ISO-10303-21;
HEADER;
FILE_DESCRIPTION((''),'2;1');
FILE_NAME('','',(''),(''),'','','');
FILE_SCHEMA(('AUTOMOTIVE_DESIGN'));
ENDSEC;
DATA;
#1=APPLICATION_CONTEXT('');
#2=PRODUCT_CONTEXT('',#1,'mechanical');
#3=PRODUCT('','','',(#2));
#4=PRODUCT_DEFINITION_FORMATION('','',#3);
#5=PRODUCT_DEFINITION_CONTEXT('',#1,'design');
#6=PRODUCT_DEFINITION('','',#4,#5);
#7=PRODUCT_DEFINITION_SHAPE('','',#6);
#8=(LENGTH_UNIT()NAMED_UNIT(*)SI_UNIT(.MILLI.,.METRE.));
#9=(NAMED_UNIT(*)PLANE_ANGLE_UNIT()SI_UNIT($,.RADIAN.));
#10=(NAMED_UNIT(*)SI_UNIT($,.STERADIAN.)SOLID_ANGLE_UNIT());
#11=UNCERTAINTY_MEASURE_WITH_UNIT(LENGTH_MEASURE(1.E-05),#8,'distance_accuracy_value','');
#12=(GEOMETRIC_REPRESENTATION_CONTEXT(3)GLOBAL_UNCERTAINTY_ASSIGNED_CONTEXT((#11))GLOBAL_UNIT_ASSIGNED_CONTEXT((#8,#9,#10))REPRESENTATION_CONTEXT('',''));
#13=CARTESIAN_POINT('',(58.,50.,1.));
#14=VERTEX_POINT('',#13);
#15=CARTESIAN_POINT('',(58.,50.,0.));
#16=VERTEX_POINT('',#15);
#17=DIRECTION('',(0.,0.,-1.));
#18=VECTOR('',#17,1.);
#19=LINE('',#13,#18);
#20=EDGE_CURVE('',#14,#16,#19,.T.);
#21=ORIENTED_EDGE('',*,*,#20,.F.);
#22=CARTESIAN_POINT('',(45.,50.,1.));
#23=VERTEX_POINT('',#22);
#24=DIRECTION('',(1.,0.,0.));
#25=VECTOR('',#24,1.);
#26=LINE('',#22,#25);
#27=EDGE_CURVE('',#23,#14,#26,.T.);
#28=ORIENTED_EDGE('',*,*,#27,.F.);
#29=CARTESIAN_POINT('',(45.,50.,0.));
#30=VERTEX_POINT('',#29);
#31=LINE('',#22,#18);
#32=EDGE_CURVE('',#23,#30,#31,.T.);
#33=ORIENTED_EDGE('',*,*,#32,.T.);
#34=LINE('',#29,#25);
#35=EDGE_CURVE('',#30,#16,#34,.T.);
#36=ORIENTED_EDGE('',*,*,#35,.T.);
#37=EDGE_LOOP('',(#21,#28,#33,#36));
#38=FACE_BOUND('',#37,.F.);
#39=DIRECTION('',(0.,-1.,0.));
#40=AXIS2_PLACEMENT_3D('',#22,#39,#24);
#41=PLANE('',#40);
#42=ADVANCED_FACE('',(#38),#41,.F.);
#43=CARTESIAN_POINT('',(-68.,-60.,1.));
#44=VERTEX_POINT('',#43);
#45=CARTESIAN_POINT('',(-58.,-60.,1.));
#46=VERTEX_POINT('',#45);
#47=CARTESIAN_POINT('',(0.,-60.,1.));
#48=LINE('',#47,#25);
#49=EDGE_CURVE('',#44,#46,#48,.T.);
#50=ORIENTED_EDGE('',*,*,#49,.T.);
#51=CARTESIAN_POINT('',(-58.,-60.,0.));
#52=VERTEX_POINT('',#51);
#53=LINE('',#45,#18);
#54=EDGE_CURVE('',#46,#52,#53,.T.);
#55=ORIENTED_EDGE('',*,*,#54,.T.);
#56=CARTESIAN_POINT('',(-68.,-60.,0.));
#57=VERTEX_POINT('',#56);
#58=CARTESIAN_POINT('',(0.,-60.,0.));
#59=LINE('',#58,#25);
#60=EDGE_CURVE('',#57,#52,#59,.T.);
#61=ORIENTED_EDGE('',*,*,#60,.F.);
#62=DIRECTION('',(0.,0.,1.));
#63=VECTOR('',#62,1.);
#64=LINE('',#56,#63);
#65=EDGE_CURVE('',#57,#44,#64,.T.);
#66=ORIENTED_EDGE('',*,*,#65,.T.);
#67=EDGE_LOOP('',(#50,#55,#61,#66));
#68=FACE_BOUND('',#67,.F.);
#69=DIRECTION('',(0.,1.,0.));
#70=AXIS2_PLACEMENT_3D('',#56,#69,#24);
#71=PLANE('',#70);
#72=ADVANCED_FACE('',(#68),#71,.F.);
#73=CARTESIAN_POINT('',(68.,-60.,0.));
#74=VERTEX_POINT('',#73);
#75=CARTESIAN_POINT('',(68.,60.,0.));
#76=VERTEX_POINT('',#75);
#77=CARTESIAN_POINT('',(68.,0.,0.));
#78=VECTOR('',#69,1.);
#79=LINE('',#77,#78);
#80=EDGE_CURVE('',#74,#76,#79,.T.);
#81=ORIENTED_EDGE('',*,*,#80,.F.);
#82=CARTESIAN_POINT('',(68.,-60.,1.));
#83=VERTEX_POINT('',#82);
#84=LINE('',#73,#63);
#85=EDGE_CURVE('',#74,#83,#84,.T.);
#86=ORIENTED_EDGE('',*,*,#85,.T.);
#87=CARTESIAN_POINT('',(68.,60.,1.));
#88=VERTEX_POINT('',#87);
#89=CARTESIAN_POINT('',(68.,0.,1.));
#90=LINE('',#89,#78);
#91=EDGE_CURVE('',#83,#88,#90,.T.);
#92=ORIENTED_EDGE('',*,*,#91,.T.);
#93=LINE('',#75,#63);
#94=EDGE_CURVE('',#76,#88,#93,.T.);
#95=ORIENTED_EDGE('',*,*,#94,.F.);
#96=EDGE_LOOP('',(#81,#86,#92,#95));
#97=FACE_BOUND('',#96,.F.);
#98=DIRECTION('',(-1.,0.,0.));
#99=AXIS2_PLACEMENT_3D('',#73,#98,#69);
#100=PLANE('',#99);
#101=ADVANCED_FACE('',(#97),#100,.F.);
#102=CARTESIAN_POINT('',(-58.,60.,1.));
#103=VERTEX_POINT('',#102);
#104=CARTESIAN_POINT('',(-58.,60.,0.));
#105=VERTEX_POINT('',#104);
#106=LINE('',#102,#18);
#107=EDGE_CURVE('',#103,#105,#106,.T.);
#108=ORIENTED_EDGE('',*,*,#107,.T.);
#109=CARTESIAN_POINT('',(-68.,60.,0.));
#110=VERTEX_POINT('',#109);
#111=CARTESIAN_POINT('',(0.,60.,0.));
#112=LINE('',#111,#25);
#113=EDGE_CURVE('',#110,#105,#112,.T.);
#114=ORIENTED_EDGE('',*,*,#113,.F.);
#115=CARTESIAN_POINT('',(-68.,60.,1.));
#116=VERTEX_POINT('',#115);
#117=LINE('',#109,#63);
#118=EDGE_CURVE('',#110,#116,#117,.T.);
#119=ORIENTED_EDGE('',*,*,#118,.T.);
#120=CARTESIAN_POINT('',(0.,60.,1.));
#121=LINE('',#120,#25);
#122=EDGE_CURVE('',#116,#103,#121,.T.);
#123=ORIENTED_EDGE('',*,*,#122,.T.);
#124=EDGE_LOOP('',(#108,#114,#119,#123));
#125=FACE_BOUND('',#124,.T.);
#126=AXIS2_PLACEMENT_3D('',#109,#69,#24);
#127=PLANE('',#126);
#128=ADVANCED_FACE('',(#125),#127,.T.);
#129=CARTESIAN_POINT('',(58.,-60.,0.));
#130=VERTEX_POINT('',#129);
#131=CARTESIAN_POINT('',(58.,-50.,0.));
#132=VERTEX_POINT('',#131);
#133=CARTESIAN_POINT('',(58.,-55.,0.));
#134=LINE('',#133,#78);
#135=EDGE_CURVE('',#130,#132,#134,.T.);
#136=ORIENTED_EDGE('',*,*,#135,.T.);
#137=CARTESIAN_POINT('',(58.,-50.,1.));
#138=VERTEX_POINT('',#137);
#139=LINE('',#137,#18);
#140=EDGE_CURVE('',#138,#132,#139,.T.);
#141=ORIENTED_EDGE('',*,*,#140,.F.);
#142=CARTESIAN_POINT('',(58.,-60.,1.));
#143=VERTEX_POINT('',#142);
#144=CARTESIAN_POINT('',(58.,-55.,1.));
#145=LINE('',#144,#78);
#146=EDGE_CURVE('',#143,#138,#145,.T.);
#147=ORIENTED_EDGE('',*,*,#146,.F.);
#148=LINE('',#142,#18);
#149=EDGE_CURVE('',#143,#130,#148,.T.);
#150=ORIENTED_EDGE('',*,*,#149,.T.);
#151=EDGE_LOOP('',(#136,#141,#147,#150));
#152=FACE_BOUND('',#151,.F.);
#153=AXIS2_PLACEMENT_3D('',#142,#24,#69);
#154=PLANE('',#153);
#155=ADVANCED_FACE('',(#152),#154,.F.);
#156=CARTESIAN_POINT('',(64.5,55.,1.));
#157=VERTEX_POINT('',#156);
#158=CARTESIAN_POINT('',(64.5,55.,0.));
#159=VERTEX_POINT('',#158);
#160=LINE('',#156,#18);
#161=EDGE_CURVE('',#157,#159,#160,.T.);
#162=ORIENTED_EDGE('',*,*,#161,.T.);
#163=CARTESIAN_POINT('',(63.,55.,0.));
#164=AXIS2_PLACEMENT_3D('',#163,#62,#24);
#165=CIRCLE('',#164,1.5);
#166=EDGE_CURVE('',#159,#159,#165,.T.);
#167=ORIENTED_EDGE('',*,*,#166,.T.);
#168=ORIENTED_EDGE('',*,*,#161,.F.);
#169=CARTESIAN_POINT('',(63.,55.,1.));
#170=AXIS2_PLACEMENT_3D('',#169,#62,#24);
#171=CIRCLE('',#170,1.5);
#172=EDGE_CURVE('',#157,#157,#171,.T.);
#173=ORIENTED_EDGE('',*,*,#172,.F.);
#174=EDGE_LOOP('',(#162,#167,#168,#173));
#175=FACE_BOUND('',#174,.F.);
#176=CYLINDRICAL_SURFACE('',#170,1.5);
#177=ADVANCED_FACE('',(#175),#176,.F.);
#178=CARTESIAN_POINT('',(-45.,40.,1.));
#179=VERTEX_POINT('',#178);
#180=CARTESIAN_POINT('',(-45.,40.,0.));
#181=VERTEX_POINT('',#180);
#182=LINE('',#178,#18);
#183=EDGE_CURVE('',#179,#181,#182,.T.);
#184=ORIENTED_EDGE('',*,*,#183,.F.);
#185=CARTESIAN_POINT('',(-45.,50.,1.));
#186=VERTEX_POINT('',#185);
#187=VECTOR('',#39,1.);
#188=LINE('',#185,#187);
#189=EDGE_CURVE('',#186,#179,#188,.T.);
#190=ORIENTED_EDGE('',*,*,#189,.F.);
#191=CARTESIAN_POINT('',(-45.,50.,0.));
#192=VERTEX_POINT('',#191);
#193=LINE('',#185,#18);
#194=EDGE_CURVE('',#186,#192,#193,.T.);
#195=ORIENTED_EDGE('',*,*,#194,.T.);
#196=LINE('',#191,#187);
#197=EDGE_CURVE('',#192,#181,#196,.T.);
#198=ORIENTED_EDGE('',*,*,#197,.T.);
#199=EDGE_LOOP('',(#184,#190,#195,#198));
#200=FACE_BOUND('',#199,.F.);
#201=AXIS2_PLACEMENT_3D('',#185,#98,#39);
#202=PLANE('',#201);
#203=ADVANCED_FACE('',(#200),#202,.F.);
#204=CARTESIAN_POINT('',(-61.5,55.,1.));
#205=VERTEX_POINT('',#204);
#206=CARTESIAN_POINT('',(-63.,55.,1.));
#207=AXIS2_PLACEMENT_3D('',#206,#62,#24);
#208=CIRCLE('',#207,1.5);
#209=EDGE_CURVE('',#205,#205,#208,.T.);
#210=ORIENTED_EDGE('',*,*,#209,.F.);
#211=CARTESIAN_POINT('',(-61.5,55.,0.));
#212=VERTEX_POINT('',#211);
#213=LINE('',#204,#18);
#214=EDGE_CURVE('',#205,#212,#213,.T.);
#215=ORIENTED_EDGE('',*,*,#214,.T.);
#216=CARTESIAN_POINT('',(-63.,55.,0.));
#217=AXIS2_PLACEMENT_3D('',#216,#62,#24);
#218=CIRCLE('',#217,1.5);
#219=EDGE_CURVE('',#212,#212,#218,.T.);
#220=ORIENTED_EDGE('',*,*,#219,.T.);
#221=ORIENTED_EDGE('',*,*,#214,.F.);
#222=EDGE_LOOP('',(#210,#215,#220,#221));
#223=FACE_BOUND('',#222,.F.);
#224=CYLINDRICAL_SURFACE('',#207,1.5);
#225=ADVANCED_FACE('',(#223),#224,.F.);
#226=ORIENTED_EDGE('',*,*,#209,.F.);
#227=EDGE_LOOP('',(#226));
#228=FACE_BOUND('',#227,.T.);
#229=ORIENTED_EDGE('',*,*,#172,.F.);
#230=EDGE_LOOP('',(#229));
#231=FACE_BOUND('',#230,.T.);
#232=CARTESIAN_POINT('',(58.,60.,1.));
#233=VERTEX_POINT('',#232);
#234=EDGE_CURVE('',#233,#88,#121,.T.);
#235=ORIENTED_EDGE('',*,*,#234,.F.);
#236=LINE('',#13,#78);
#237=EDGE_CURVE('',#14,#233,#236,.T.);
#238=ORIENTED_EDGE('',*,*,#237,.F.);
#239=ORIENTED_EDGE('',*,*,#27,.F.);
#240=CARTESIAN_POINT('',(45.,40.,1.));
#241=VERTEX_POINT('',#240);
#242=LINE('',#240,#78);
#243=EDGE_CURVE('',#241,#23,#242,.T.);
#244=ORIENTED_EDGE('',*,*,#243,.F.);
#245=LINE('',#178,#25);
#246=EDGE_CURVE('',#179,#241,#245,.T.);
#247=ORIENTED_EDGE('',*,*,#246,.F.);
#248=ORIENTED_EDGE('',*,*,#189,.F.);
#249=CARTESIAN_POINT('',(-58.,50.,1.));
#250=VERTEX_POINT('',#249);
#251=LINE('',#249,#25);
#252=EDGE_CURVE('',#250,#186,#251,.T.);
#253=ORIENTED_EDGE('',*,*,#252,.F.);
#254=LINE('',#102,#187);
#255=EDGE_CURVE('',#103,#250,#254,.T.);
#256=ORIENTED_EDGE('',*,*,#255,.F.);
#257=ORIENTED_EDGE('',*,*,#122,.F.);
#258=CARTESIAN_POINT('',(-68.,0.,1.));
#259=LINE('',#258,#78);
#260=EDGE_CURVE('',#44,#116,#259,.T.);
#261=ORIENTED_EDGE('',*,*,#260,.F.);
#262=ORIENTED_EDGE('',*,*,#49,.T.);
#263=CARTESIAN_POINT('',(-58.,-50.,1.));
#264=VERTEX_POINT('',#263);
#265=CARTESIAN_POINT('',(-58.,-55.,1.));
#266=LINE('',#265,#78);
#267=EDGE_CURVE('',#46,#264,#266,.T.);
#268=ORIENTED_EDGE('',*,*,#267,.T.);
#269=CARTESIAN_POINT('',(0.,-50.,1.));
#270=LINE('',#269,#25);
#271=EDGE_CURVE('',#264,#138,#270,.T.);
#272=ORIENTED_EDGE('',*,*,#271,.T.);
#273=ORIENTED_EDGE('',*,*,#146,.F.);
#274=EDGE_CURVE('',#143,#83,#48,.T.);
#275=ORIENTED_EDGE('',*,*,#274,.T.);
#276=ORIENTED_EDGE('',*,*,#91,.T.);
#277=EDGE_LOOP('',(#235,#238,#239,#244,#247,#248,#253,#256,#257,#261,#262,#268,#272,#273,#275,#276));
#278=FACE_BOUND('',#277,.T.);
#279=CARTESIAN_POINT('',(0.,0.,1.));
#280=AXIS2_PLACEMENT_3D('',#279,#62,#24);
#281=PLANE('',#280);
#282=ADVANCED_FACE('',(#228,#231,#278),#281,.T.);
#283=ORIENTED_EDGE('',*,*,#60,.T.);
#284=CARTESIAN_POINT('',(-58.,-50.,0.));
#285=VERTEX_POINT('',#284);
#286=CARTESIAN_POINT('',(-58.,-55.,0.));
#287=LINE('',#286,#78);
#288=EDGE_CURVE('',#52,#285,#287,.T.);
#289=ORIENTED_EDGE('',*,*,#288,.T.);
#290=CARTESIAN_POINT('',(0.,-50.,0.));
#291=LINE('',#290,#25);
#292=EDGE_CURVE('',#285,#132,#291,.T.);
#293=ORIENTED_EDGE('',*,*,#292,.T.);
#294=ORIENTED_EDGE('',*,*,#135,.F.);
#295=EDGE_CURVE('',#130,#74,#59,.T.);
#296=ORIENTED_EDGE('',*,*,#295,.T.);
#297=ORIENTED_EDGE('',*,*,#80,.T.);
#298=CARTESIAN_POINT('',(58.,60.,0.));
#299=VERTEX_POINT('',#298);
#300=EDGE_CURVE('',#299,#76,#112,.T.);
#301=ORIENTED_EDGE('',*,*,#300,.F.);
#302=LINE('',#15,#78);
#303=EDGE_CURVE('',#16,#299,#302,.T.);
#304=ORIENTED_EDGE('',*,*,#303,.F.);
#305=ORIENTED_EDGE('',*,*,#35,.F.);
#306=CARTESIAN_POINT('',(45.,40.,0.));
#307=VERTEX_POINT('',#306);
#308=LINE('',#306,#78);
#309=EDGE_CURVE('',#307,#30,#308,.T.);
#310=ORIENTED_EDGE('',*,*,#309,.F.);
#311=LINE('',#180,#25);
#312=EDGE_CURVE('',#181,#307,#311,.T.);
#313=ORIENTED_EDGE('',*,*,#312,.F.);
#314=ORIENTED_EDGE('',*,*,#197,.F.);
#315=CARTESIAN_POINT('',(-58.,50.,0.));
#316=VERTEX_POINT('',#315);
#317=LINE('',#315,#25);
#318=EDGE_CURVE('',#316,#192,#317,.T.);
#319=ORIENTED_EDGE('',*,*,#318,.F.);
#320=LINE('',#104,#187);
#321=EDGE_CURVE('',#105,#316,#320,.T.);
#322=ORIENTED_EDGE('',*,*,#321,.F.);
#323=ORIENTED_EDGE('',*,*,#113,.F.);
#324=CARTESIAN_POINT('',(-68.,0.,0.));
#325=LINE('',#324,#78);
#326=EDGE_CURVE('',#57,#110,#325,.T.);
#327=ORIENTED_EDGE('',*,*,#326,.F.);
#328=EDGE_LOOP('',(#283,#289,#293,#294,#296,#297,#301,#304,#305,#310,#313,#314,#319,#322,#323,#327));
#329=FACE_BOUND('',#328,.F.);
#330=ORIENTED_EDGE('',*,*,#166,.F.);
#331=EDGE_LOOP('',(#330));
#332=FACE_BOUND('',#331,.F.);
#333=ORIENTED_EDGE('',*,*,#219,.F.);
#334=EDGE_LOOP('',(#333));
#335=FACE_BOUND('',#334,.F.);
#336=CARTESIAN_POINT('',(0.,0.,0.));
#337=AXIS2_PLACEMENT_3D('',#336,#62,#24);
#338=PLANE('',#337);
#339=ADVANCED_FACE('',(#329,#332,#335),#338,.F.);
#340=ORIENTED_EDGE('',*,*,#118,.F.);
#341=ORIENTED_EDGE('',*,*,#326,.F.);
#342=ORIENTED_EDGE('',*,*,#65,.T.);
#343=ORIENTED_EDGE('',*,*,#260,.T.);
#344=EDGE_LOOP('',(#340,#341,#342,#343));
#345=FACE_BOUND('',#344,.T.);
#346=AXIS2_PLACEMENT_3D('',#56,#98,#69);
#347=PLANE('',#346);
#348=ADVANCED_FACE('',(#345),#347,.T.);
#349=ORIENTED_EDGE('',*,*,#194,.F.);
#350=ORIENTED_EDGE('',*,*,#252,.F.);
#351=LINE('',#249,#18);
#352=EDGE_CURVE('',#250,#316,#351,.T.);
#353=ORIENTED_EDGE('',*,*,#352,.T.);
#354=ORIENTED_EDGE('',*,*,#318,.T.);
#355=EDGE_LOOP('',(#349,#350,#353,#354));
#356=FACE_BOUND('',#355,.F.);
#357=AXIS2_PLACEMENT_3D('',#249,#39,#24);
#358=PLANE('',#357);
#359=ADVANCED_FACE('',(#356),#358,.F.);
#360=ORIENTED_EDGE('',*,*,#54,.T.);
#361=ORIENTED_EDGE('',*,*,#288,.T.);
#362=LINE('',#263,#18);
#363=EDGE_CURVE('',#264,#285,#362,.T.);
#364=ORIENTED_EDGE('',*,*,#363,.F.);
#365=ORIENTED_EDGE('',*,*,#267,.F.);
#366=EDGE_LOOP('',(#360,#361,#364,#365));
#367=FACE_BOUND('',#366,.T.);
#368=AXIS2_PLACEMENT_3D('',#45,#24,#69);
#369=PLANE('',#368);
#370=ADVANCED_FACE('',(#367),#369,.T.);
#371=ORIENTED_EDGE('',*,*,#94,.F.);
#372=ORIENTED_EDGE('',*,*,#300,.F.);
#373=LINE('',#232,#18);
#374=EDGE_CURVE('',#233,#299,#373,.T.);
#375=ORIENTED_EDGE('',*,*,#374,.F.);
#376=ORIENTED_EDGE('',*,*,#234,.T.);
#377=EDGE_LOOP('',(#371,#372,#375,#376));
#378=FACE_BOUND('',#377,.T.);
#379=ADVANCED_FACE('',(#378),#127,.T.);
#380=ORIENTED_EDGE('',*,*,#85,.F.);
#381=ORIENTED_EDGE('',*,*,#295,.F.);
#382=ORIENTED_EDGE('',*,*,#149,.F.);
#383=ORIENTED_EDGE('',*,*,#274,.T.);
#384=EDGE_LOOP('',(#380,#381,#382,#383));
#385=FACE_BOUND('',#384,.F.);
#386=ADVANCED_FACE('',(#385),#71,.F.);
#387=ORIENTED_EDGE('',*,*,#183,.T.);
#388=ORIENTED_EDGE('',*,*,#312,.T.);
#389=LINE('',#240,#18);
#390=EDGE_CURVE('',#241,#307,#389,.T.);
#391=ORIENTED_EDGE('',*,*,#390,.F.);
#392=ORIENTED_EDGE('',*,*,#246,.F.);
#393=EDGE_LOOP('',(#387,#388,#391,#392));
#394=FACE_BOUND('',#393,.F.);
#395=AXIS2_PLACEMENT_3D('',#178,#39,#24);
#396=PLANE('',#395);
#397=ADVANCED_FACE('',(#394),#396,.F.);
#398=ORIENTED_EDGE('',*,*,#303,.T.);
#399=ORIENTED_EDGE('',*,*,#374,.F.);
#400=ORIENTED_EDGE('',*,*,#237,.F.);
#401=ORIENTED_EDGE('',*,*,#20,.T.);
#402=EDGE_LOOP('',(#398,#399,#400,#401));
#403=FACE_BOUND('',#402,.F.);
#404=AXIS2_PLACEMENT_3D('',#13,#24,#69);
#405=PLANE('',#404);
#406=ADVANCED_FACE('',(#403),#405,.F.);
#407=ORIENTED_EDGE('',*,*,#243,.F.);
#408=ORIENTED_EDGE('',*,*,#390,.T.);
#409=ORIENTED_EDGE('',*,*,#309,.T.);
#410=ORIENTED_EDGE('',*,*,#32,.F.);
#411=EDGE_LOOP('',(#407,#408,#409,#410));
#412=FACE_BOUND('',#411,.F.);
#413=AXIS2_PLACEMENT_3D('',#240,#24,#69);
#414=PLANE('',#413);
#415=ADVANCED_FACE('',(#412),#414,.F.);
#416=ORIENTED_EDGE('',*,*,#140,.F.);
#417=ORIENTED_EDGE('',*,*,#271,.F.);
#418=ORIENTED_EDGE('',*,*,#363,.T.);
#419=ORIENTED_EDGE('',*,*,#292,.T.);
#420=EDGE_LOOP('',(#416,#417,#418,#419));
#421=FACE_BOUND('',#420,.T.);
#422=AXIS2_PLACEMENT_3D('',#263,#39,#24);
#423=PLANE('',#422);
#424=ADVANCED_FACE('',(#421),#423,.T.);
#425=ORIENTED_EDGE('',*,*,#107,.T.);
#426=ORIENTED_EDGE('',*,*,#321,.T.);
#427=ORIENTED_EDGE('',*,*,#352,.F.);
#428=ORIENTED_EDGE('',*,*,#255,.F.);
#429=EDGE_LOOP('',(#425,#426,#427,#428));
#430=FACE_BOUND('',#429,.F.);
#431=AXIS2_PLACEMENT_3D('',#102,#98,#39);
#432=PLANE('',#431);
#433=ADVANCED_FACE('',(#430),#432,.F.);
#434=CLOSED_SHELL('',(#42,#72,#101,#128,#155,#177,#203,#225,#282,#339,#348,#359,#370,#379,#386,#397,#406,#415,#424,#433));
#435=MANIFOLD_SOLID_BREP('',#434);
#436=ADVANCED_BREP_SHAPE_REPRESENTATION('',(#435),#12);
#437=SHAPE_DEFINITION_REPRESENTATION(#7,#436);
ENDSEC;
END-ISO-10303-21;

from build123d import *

# Parameters (mm, degrees)
F0_W     = 136
F0_H     = 120
F1_DEPTH = 1
F2_W     = 116
F2_H     = 10
F3_DEPTH = 1
F4_R     = 1.5
F5_DEPTH = 1


with BuildPart() as f1:
    # F0 (on Top) → F1 (new body)
    with BuildSketch(Plane.XY):
        Rectangle(F0_W, F0_H)
    extrude(amount=F1_DEPTH)

    # F2 (on face) → F3 (cut, through all)
    with BuildSketch(Plane.XY.offset(1)):
        Polygon((58, 60), (-58, 60), (-58, 50), (-45, 50), (-45, 40), (0, 40), (45, 40), (45, 50), (58, 50), align=None)
        with Locations((0, -55)):
            Rectangle(F2_W, F2_H)
    extrude(amount=-F3_DEPTH, mode=Mode.SUBTRACT)

    # F4 (on face) → F5 (cut, through all)
    with BuildSketch(Plane.XY.offset(1)):
        with Locations((-63, 55)):
            Circle(F4_R)
        with Locations((63, 55)):
            Circle(F4_R)
    extrude(amount=-F5_DEPTH, mode=Mode.SUBTRACT)


solid = f1.part
